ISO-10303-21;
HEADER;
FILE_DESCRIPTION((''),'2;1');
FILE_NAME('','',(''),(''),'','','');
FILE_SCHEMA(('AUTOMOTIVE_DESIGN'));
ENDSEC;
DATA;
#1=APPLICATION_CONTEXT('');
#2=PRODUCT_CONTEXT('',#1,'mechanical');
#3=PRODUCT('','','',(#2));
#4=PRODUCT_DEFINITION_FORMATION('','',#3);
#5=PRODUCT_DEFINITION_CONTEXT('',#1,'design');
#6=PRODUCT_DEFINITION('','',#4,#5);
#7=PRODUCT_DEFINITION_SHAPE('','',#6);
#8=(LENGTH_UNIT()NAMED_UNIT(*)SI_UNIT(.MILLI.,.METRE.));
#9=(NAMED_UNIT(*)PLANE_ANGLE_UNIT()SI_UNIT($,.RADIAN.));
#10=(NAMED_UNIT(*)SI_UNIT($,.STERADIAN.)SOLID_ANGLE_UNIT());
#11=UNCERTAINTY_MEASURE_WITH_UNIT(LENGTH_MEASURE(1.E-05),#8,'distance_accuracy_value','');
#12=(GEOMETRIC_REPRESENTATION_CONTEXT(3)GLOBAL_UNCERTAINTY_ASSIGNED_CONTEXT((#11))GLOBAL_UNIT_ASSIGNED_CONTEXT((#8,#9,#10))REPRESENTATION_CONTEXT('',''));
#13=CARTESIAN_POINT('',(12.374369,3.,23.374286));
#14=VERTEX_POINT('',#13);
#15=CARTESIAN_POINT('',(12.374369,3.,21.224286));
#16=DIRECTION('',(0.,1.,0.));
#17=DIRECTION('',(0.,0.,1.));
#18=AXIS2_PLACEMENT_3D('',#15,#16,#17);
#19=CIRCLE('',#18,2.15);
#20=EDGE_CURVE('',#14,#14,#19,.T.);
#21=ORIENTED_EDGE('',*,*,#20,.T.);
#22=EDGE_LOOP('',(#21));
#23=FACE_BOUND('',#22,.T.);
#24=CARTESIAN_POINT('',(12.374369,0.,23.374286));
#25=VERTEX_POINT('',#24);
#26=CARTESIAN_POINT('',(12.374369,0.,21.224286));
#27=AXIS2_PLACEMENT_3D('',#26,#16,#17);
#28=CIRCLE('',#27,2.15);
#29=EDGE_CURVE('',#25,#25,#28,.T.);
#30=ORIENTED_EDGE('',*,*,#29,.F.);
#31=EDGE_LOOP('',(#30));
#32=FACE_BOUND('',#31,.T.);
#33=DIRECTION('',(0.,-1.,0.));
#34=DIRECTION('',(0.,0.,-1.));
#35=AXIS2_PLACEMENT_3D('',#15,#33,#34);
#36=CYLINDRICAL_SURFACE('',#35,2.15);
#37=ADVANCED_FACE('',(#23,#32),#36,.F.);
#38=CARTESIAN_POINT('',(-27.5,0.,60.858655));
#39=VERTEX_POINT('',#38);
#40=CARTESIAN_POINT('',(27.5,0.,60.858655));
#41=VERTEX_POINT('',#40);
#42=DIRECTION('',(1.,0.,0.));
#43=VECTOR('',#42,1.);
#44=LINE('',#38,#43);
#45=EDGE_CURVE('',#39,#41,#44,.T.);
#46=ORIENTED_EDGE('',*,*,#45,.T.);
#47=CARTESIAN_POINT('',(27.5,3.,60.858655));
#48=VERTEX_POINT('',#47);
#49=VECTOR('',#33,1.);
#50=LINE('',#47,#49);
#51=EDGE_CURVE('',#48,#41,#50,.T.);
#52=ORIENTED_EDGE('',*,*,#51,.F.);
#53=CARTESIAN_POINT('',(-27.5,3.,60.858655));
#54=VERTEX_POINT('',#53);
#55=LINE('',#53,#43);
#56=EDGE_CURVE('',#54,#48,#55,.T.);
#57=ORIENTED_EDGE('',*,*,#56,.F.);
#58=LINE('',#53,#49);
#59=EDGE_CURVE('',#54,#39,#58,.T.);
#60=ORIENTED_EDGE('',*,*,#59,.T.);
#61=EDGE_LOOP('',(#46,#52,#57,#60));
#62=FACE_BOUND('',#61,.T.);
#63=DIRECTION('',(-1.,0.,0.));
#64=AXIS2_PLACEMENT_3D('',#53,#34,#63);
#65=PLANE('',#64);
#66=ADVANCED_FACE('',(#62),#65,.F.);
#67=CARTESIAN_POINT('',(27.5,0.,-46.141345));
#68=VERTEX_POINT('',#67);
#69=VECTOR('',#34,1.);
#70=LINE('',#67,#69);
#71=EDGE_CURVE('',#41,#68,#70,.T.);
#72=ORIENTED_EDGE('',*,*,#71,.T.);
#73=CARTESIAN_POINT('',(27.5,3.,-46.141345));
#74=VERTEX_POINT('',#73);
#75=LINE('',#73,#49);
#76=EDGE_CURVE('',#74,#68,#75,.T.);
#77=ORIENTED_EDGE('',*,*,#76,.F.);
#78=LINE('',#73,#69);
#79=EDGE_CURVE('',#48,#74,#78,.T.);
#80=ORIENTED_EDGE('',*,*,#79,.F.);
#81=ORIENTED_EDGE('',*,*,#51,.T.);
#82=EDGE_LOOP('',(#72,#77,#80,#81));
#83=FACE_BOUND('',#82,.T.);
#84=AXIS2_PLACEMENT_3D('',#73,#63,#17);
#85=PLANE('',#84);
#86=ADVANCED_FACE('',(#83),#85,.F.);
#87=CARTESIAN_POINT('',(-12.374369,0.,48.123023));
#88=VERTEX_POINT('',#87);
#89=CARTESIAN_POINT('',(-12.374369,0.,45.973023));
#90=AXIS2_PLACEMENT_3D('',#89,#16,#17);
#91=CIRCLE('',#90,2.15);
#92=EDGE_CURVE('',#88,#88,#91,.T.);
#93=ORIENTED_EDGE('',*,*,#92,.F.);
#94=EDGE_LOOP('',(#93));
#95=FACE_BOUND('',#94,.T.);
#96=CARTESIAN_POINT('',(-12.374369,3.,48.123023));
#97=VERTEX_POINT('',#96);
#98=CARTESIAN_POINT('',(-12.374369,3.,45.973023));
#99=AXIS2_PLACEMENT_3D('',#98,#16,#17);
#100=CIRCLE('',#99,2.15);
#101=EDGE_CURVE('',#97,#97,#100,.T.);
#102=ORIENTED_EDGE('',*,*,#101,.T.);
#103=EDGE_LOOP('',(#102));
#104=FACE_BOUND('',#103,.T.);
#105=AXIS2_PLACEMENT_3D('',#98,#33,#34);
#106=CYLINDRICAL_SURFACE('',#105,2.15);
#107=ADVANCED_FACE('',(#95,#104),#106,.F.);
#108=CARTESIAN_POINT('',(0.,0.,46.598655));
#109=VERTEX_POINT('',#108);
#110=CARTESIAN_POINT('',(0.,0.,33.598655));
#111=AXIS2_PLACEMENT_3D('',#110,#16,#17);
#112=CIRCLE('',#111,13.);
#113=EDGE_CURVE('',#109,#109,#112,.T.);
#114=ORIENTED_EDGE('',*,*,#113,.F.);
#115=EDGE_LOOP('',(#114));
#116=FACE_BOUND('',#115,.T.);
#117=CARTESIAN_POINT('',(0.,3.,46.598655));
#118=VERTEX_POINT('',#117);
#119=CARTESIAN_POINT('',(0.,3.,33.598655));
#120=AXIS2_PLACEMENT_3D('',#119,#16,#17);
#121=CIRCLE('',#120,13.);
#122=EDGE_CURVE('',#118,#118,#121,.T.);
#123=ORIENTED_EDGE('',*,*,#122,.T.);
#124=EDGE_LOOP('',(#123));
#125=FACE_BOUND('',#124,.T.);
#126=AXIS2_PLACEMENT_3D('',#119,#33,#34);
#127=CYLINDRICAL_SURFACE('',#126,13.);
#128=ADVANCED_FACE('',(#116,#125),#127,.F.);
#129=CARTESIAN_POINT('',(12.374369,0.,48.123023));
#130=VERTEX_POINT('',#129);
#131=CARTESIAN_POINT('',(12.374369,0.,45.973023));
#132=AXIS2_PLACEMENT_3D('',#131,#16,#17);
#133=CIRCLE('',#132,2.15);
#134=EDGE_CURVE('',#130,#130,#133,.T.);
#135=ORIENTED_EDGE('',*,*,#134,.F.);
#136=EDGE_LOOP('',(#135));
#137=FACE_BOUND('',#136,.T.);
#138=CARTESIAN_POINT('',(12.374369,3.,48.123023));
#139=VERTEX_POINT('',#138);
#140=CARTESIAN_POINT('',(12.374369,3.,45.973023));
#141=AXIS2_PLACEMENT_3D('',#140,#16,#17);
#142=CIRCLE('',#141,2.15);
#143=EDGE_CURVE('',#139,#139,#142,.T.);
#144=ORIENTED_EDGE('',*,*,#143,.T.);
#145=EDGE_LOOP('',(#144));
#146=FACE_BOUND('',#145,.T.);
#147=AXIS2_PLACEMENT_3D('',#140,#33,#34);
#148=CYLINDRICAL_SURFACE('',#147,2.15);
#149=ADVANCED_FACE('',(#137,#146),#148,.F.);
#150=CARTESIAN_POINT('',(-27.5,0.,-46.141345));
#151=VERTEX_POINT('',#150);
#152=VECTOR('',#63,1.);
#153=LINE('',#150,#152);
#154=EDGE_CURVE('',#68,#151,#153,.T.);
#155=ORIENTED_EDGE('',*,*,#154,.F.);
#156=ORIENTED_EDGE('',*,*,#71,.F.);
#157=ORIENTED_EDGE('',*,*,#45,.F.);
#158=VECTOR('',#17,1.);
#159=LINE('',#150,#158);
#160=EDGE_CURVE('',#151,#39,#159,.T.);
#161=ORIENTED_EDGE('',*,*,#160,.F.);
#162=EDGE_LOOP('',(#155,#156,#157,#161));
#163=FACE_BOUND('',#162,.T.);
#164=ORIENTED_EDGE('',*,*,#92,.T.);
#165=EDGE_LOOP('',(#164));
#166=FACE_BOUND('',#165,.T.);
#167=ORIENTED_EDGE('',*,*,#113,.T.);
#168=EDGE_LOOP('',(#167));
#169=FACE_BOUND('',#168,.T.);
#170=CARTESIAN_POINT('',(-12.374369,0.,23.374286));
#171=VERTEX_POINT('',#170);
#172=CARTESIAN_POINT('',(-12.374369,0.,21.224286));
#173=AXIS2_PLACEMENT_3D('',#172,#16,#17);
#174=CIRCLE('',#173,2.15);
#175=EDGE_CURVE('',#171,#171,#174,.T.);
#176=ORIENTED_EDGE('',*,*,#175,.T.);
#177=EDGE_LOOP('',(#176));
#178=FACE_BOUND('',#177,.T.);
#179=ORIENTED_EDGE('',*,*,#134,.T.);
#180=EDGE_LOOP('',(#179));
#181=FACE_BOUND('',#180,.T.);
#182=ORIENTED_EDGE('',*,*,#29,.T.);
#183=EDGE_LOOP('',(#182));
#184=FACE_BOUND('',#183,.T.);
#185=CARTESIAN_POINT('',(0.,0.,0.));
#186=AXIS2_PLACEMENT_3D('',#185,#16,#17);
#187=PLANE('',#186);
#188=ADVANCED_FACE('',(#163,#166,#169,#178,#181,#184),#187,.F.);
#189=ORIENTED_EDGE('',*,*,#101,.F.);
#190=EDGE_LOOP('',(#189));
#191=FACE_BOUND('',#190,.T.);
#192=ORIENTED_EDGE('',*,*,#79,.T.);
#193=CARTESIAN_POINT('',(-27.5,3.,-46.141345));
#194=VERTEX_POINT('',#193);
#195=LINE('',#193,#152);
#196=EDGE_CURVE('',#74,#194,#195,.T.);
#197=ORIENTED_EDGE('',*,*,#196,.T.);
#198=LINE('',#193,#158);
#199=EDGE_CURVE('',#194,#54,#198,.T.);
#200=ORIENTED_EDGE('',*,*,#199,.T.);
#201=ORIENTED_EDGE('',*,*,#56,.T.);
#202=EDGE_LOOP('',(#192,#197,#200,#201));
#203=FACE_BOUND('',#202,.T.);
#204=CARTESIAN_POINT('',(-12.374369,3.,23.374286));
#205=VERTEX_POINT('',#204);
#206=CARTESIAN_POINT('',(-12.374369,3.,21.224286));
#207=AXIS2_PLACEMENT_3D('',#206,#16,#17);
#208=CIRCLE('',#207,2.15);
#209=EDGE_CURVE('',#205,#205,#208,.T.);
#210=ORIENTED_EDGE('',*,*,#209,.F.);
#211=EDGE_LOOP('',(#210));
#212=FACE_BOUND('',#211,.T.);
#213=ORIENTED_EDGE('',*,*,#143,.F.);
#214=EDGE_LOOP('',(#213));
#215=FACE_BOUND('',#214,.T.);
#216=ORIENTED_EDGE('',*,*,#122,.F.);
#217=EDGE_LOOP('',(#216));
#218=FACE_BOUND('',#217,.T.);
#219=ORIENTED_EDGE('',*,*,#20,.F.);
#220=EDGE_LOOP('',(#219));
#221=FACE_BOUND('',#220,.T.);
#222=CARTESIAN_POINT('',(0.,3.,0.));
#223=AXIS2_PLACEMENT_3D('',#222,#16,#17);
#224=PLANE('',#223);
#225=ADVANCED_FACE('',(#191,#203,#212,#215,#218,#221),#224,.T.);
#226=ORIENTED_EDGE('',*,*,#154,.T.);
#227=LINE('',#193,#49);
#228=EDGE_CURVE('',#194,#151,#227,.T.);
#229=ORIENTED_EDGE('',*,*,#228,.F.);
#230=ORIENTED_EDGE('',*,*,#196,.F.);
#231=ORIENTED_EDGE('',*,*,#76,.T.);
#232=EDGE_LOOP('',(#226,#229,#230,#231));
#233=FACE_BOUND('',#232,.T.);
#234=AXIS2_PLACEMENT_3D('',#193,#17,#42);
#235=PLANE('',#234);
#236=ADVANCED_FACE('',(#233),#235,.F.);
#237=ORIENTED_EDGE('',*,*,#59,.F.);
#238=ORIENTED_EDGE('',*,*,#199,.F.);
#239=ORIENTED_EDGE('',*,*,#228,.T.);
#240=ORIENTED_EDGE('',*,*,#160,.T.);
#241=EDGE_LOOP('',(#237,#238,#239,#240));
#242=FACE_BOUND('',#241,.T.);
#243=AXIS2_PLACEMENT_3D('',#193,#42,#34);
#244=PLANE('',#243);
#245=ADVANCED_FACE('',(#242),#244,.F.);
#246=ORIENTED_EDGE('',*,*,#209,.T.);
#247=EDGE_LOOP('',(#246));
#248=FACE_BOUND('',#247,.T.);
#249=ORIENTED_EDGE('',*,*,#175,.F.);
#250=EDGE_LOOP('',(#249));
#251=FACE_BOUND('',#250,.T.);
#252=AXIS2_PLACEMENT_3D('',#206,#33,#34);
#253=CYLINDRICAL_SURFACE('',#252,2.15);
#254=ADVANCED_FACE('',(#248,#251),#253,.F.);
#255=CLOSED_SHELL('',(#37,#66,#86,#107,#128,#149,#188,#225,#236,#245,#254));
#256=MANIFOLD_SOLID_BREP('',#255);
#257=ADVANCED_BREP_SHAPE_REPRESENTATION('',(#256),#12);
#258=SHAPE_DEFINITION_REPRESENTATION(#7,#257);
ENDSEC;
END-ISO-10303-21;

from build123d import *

# Parameters (mm, degrees)
SKETCH1_W           = 55
SKETCH1_H           = 107
SKETCH1_R           = 13
SKETCH1_R_2         = 2.15
BOSS_EXTRUDE1_DEPTH = 3


with BuildPart() as part:
    # Sketch1 → Boss-Extrude1 (new body)
    with BuildSketch(Plane(origin=(0, 0, 0), x_dir=(1, 0, 0), z_dir=(0, 1, 0))):
        with Locations((0, -7.358654807)):
            Rectangle(SKETCH1_W, SKETCH1_H)
        with Locations((0, -33.598654807)):
            Circle(SKETCH1_R, mode=Mode.SUBTRACT)
        with Locations((12.374368671, -21.224286136)):
            Circle(SKETCH1_R_2, mode=Mode.SUBTRACT)
        with Locations((12.374368671, -45.973023478)):
            Circle(SKETCH1_R_2, mode=Mode.SUBTRACT)
        with Locations((-12.374368671, -45.973023478)):
            Circle(SKETCH1_R_2, mode=Mode.SUBTRACT)
        with Locations((-12.374368671, -21.224286136)):
            Circle(SKETCH1_R_2, mode=Mode.SUBTRACT)
    extrude(amount=BOSS_EXTRUDE1_DEPTH)


solid = part.part
